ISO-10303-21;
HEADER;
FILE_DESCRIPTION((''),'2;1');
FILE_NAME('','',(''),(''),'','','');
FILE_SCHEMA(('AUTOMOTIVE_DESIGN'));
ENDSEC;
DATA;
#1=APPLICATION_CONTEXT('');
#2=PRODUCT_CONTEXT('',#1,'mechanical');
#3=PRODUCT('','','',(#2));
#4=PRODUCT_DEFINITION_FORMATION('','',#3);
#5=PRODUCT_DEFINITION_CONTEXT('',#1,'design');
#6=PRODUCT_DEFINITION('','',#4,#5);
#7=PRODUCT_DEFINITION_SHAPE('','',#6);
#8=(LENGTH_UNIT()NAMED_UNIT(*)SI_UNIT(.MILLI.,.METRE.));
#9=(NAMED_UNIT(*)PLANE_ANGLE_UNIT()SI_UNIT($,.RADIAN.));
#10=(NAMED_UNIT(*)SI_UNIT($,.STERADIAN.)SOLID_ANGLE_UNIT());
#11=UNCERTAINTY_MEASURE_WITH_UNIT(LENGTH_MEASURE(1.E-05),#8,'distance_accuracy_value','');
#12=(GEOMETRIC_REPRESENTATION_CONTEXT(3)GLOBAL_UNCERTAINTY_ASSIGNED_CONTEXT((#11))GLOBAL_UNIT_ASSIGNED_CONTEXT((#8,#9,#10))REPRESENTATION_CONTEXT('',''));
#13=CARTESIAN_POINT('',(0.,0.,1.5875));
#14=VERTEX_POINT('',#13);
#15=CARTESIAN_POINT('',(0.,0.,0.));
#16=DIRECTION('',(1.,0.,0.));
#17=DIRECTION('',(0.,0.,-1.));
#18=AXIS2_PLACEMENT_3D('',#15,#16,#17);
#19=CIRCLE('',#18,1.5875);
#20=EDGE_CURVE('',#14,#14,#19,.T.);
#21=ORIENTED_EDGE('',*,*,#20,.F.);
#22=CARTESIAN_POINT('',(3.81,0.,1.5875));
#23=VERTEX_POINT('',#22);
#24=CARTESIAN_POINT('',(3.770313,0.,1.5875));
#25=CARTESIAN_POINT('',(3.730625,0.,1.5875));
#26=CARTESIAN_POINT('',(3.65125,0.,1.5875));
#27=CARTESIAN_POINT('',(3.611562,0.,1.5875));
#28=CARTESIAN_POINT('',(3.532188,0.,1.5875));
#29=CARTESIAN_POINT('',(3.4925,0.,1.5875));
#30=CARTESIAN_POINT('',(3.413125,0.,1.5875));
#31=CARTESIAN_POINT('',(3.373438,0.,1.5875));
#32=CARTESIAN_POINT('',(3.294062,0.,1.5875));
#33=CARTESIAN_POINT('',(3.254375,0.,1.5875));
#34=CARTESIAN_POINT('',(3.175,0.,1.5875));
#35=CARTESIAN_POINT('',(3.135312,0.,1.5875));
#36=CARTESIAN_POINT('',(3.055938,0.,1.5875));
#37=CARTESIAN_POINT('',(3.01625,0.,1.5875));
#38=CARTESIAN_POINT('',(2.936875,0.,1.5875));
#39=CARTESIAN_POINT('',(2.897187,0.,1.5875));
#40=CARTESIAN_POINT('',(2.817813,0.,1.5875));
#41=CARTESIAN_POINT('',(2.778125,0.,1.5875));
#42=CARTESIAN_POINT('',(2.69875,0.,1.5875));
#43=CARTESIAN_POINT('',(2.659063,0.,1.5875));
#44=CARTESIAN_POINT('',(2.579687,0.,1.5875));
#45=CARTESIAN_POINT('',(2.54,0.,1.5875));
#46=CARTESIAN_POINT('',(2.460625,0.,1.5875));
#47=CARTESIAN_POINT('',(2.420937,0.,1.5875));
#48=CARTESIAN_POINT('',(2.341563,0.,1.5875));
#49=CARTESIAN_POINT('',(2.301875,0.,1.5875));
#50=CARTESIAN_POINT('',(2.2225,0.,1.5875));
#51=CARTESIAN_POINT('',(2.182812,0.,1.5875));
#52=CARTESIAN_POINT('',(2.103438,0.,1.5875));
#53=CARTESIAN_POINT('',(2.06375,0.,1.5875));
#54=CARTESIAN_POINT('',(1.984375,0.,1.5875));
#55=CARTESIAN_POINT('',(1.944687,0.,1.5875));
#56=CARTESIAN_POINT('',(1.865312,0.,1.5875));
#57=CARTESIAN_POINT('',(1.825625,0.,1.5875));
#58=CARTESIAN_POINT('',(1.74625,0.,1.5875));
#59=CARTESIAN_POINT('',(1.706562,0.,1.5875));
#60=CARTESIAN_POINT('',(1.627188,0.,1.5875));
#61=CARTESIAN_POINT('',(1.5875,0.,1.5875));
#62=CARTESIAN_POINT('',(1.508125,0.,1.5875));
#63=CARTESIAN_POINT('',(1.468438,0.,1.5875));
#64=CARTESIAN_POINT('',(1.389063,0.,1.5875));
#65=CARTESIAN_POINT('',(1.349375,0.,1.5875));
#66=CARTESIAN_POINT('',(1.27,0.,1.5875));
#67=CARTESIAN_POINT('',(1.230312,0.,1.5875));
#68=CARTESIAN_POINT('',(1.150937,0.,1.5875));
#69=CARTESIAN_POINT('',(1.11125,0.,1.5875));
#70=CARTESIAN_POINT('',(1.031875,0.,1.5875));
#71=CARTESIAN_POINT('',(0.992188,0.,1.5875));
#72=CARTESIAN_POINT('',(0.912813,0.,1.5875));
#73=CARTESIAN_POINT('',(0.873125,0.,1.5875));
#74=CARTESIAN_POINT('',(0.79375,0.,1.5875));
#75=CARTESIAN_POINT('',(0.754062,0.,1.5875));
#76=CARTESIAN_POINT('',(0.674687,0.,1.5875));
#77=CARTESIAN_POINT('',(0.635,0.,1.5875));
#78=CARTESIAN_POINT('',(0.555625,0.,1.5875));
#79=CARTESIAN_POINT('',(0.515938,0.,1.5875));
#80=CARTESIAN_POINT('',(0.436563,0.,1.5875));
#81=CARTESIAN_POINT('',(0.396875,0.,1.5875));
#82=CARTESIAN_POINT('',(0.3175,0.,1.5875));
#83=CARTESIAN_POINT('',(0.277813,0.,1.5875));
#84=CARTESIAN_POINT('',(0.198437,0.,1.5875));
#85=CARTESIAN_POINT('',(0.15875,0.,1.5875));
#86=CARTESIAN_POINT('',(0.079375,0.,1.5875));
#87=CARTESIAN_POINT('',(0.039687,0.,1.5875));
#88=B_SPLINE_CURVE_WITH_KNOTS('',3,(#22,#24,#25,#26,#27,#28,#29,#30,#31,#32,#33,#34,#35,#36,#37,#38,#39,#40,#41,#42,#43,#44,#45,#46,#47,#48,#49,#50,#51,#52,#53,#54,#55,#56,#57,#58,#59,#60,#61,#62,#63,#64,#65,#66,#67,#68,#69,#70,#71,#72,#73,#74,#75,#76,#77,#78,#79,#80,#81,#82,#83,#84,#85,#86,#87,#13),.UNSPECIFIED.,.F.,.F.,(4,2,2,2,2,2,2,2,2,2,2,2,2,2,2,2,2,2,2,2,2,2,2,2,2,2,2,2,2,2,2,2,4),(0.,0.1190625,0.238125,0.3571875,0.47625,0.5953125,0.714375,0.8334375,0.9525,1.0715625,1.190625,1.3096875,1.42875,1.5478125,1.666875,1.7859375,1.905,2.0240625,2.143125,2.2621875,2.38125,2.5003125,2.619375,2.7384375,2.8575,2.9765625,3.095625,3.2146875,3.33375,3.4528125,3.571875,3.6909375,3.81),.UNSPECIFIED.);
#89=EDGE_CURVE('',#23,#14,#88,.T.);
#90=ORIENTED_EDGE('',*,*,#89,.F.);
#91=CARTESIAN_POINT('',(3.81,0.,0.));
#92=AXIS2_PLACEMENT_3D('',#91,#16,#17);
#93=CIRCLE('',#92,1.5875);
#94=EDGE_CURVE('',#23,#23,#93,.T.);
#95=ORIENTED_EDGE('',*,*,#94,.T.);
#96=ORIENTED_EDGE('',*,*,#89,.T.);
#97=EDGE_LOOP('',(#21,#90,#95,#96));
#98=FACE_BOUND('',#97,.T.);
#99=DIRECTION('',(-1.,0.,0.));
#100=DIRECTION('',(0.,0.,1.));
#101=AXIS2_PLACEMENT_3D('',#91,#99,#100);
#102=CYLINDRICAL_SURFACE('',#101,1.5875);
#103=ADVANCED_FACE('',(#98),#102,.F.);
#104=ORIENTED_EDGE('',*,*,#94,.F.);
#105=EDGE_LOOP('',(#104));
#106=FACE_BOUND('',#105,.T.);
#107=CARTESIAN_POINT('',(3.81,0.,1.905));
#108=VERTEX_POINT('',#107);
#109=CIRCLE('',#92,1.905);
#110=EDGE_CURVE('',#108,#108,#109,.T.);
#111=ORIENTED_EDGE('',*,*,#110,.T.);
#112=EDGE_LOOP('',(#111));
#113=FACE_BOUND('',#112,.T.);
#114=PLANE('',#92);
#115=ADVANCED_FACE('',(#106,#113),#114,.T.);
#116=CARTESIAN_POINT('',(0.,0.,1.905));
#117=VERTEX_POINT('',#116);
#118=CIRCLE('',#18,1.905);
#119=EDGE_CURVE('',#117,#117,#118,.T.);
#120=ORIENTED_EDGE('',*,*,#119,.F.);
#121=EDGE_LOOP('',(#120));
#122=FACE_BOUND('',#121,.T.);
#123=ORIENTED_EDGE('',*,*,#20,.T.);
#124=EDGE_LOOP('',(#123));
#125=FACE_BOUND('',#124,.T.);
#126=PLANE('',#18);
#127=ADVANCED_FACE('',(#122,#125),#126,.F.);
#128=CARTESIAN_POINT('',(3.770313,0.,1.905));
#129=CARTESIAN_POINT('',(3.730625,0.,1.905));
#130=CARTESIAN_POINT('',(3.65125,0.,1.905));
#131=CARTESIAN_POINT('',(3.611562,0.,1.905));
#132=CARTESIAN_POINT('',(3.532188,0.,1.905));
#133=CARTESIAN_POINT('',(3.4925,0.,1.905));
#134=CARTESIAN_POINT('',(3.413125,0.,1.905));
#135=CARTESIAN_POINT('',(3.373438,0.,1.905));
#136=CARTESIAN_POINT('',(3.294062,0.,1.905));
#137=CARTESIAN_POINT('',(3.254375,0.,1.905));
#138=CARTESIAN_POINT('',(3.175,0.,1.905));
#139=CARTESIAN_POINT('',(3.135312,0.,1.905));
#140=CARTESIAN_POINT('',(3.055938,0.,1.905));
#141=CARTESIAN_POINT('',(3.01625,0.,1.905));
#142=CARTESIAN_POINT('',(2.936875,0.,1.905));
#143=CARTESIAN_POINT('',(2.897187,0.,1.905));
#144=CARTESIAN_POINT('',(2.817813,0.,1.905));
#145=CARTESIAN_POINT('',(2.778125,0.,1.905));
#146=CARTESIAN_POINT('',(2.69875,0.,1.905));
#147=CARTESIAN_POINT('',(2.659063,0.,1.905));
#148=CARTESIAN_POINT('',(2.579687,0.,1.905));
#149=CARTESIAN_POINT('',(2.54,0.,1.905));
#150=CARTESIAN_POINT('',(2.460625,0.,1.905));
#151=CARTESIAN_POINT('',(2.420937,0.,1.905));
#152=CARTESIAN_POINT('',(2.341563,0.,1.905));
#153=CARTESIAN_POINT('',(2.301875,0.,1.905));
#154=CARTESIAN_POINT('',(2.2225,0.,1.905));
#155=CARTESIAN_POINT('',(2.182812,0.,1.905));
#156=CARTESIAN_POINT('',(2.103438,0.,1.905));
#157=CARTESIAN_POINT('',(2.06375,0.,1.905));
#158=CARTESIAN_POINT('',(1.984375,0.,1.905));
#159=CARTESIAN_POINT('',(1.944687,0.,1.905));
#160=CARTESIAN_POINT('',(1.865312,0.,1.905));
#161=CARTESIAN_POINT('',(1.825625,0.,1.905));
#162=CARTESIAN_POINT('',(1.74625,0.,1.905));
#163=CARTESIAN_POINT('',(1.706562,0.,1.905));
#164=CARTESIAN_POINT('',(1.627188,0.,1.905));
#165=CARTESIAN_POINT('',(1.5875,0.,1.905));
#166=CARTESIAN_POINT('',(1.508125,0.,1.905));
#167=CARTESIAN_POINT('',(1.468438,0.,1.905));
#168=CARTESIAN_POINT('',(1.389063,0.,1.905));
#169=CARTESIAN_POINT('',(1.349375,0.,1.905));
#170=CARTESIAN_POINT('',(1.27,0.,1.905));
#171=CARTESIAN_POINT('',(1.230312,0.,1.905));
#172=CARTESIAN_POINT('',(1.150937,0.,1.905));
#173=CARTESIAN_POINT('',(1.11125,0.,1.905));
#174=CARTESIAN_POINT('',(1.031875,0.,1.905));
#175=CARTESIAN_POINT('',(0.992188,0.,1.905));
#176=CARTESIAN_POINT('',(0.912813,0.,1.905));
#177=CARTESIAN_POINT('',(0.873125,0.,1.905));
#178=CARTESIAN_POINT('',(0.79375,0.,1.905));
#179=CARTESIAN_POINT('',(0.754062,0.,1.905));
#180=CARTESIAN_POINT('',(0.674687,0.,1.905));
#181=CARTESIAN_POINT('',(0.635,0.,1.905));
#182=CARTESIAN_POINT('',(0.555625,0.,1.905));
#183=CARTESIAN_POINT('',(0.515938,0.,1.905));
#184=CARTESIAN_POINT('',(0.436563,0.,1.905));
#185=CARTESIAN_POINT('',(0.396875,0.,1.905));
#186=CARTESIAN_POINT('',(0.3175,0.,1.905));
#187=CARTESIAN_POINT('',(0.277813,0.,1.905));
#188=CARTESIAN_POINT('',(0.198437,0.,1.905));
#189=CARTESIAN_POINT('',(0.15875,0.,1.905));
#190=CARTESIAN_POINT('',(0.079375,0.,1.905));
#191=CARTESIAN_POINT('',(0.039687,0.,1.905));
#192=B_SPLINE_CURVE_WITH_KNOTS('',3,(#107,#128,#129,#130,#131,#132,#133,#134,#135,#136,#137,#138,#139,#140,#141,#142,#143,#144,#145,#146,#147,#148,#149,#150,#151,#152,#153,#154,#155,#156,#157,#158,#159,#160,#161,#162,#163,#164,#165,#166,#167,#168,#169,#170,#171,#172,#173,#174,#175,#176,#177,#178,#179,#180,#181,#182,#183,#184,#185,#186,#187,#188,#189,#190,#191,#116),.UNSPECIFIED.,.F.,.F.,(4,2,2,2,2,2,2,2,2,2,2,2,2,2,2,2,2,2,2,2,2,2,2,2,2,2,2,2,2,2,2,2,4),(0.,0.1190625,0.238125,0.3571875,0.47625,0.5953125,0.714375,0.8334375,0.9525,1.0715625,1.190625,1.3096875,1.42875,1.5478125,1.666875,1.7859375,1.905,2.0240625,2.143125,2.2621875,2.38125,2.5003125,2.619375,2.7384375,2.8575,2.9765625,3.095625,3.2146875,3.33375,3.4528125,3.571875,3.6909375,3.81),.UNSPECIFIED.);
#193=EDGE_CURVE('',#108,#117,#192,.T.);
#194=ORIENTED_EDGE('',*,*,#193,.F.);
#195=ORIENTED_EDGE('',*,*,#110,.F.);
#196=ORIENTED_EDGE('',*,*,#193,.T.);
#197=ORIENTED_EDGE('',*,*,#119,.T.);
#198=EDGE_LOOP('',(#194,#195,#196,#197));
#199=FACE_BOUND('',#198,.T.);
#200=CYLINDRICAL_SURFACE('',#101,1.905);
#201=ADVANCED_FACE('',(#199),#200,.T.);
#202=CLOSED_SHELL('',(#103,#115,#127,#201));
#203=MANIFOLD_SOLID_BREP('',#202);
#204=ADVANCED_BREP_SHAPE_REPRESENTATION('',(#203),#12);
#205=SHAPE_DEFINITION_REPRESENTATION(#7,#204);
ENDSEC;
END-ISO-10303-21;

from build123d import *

# Parameters (mm, degrees)
SKETCH1_R           = 1.905
SKETCH1_R_2         = 1.5875
BOSS_EXTRUDE1_DEPTH = 3.81


with BuildPart() as part:
    # Sketch1 → Boss-Extrude1 (new body)
    with BuildSketch(Plane(origin=(0, 0, 0), x_dir=(0, 0, -1), z_dir=(1, 0, 0))):
        Circle(SKETCH1_R)
        Circle(SKETCH1_R_2, mode=Mode.SUBTRACT)
    extrude(amount=BOSS_EXTRUDE1_DEPTH)


solid = part.part
